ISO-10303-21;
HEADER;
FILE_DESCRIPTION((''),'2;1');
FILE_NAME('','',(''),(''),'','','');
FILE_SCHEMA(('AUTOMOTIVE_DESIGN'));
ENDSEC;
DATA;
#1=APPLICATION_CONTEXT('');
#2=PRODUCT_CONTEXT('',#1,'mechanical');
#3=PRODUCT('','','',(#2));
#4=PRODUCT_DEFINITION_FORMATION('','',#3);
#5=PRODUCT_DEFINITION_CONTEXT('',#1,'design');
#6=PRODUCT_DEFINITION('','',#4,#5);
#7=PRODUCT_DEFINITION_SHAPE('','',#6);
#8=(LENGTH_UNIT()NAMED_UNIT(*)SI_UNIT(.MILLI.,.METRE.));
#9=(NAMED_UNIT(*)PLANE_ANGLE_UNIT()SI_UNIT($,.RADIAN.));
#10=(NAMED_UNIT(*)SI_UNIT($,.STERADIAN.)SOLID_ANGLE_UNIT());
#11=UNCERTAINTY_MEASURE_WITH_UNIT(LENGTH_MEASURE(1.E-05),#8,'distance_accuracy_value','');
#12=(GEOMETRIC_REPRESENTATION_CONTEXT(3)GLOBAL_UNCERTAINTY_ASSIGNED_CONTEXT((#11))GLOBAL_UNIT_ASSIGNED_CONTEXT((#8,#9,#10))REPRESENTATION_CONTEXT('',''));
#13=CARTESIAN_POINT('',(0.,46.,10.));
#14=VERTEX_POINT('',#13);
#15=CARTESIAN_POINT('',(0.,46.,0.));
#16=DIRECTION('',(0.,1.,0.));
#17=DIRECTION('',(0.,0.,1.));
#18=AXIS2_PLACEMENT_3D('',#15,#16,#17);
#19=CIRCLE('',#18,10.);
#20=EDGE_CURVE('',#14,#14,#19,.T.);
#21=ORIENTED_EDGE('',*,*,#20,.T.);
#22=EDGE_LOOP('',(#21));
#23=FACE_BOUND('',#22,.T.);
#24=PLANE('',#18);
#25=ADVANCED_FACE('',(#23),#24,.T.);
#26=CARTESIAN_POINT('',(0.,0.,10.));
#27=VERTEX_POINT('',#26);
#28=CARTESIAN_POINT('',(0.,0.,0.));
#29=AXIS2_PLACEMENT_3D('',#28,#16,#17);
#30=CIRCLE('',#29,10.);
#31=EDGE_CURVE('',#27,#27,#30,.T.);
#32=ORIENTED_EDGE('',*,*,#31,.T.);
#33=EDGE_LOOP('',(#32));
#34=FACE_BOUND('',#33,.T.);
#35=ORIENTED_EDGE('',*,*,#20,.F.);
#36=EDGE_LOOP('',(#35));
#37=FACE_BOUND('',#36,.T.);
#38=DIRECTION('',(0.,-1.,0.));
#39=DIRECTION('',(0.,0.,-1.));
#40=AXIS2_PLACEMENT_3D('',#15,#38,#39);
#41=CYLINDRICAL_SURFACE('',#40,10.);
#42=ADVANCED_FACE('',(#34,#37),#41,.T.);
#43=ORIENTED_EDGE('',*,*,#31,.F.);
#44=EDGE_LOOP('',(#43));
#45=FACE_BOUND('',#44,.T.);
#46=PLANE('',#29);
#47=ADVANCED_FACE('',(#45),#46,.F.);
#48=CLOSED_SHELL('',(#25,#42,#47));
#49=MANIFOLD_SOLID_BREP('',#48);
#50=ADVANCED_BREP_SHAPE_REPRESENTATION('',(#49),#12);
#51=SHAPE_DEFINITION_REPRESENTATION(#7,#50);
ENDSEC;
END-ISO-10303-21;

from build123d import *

# Parameters (mm, degrees)
SKETCH_1_R      = 10
EXTRUDE_1_DEPTH = 46


with BuildPart() as part:
    # Эскиз1 → Бобышка-Вытянуть1 (new body)
    with BuildSketch(Plane(origin=(0, 0, 0), x_dir=(1, 0, 0), z_dir=(0, 1, 0))):
        Circle(SKETCH_1_R)
    extrude(amount=EXTRUDE_1_DEPTH)


solid = part.part
